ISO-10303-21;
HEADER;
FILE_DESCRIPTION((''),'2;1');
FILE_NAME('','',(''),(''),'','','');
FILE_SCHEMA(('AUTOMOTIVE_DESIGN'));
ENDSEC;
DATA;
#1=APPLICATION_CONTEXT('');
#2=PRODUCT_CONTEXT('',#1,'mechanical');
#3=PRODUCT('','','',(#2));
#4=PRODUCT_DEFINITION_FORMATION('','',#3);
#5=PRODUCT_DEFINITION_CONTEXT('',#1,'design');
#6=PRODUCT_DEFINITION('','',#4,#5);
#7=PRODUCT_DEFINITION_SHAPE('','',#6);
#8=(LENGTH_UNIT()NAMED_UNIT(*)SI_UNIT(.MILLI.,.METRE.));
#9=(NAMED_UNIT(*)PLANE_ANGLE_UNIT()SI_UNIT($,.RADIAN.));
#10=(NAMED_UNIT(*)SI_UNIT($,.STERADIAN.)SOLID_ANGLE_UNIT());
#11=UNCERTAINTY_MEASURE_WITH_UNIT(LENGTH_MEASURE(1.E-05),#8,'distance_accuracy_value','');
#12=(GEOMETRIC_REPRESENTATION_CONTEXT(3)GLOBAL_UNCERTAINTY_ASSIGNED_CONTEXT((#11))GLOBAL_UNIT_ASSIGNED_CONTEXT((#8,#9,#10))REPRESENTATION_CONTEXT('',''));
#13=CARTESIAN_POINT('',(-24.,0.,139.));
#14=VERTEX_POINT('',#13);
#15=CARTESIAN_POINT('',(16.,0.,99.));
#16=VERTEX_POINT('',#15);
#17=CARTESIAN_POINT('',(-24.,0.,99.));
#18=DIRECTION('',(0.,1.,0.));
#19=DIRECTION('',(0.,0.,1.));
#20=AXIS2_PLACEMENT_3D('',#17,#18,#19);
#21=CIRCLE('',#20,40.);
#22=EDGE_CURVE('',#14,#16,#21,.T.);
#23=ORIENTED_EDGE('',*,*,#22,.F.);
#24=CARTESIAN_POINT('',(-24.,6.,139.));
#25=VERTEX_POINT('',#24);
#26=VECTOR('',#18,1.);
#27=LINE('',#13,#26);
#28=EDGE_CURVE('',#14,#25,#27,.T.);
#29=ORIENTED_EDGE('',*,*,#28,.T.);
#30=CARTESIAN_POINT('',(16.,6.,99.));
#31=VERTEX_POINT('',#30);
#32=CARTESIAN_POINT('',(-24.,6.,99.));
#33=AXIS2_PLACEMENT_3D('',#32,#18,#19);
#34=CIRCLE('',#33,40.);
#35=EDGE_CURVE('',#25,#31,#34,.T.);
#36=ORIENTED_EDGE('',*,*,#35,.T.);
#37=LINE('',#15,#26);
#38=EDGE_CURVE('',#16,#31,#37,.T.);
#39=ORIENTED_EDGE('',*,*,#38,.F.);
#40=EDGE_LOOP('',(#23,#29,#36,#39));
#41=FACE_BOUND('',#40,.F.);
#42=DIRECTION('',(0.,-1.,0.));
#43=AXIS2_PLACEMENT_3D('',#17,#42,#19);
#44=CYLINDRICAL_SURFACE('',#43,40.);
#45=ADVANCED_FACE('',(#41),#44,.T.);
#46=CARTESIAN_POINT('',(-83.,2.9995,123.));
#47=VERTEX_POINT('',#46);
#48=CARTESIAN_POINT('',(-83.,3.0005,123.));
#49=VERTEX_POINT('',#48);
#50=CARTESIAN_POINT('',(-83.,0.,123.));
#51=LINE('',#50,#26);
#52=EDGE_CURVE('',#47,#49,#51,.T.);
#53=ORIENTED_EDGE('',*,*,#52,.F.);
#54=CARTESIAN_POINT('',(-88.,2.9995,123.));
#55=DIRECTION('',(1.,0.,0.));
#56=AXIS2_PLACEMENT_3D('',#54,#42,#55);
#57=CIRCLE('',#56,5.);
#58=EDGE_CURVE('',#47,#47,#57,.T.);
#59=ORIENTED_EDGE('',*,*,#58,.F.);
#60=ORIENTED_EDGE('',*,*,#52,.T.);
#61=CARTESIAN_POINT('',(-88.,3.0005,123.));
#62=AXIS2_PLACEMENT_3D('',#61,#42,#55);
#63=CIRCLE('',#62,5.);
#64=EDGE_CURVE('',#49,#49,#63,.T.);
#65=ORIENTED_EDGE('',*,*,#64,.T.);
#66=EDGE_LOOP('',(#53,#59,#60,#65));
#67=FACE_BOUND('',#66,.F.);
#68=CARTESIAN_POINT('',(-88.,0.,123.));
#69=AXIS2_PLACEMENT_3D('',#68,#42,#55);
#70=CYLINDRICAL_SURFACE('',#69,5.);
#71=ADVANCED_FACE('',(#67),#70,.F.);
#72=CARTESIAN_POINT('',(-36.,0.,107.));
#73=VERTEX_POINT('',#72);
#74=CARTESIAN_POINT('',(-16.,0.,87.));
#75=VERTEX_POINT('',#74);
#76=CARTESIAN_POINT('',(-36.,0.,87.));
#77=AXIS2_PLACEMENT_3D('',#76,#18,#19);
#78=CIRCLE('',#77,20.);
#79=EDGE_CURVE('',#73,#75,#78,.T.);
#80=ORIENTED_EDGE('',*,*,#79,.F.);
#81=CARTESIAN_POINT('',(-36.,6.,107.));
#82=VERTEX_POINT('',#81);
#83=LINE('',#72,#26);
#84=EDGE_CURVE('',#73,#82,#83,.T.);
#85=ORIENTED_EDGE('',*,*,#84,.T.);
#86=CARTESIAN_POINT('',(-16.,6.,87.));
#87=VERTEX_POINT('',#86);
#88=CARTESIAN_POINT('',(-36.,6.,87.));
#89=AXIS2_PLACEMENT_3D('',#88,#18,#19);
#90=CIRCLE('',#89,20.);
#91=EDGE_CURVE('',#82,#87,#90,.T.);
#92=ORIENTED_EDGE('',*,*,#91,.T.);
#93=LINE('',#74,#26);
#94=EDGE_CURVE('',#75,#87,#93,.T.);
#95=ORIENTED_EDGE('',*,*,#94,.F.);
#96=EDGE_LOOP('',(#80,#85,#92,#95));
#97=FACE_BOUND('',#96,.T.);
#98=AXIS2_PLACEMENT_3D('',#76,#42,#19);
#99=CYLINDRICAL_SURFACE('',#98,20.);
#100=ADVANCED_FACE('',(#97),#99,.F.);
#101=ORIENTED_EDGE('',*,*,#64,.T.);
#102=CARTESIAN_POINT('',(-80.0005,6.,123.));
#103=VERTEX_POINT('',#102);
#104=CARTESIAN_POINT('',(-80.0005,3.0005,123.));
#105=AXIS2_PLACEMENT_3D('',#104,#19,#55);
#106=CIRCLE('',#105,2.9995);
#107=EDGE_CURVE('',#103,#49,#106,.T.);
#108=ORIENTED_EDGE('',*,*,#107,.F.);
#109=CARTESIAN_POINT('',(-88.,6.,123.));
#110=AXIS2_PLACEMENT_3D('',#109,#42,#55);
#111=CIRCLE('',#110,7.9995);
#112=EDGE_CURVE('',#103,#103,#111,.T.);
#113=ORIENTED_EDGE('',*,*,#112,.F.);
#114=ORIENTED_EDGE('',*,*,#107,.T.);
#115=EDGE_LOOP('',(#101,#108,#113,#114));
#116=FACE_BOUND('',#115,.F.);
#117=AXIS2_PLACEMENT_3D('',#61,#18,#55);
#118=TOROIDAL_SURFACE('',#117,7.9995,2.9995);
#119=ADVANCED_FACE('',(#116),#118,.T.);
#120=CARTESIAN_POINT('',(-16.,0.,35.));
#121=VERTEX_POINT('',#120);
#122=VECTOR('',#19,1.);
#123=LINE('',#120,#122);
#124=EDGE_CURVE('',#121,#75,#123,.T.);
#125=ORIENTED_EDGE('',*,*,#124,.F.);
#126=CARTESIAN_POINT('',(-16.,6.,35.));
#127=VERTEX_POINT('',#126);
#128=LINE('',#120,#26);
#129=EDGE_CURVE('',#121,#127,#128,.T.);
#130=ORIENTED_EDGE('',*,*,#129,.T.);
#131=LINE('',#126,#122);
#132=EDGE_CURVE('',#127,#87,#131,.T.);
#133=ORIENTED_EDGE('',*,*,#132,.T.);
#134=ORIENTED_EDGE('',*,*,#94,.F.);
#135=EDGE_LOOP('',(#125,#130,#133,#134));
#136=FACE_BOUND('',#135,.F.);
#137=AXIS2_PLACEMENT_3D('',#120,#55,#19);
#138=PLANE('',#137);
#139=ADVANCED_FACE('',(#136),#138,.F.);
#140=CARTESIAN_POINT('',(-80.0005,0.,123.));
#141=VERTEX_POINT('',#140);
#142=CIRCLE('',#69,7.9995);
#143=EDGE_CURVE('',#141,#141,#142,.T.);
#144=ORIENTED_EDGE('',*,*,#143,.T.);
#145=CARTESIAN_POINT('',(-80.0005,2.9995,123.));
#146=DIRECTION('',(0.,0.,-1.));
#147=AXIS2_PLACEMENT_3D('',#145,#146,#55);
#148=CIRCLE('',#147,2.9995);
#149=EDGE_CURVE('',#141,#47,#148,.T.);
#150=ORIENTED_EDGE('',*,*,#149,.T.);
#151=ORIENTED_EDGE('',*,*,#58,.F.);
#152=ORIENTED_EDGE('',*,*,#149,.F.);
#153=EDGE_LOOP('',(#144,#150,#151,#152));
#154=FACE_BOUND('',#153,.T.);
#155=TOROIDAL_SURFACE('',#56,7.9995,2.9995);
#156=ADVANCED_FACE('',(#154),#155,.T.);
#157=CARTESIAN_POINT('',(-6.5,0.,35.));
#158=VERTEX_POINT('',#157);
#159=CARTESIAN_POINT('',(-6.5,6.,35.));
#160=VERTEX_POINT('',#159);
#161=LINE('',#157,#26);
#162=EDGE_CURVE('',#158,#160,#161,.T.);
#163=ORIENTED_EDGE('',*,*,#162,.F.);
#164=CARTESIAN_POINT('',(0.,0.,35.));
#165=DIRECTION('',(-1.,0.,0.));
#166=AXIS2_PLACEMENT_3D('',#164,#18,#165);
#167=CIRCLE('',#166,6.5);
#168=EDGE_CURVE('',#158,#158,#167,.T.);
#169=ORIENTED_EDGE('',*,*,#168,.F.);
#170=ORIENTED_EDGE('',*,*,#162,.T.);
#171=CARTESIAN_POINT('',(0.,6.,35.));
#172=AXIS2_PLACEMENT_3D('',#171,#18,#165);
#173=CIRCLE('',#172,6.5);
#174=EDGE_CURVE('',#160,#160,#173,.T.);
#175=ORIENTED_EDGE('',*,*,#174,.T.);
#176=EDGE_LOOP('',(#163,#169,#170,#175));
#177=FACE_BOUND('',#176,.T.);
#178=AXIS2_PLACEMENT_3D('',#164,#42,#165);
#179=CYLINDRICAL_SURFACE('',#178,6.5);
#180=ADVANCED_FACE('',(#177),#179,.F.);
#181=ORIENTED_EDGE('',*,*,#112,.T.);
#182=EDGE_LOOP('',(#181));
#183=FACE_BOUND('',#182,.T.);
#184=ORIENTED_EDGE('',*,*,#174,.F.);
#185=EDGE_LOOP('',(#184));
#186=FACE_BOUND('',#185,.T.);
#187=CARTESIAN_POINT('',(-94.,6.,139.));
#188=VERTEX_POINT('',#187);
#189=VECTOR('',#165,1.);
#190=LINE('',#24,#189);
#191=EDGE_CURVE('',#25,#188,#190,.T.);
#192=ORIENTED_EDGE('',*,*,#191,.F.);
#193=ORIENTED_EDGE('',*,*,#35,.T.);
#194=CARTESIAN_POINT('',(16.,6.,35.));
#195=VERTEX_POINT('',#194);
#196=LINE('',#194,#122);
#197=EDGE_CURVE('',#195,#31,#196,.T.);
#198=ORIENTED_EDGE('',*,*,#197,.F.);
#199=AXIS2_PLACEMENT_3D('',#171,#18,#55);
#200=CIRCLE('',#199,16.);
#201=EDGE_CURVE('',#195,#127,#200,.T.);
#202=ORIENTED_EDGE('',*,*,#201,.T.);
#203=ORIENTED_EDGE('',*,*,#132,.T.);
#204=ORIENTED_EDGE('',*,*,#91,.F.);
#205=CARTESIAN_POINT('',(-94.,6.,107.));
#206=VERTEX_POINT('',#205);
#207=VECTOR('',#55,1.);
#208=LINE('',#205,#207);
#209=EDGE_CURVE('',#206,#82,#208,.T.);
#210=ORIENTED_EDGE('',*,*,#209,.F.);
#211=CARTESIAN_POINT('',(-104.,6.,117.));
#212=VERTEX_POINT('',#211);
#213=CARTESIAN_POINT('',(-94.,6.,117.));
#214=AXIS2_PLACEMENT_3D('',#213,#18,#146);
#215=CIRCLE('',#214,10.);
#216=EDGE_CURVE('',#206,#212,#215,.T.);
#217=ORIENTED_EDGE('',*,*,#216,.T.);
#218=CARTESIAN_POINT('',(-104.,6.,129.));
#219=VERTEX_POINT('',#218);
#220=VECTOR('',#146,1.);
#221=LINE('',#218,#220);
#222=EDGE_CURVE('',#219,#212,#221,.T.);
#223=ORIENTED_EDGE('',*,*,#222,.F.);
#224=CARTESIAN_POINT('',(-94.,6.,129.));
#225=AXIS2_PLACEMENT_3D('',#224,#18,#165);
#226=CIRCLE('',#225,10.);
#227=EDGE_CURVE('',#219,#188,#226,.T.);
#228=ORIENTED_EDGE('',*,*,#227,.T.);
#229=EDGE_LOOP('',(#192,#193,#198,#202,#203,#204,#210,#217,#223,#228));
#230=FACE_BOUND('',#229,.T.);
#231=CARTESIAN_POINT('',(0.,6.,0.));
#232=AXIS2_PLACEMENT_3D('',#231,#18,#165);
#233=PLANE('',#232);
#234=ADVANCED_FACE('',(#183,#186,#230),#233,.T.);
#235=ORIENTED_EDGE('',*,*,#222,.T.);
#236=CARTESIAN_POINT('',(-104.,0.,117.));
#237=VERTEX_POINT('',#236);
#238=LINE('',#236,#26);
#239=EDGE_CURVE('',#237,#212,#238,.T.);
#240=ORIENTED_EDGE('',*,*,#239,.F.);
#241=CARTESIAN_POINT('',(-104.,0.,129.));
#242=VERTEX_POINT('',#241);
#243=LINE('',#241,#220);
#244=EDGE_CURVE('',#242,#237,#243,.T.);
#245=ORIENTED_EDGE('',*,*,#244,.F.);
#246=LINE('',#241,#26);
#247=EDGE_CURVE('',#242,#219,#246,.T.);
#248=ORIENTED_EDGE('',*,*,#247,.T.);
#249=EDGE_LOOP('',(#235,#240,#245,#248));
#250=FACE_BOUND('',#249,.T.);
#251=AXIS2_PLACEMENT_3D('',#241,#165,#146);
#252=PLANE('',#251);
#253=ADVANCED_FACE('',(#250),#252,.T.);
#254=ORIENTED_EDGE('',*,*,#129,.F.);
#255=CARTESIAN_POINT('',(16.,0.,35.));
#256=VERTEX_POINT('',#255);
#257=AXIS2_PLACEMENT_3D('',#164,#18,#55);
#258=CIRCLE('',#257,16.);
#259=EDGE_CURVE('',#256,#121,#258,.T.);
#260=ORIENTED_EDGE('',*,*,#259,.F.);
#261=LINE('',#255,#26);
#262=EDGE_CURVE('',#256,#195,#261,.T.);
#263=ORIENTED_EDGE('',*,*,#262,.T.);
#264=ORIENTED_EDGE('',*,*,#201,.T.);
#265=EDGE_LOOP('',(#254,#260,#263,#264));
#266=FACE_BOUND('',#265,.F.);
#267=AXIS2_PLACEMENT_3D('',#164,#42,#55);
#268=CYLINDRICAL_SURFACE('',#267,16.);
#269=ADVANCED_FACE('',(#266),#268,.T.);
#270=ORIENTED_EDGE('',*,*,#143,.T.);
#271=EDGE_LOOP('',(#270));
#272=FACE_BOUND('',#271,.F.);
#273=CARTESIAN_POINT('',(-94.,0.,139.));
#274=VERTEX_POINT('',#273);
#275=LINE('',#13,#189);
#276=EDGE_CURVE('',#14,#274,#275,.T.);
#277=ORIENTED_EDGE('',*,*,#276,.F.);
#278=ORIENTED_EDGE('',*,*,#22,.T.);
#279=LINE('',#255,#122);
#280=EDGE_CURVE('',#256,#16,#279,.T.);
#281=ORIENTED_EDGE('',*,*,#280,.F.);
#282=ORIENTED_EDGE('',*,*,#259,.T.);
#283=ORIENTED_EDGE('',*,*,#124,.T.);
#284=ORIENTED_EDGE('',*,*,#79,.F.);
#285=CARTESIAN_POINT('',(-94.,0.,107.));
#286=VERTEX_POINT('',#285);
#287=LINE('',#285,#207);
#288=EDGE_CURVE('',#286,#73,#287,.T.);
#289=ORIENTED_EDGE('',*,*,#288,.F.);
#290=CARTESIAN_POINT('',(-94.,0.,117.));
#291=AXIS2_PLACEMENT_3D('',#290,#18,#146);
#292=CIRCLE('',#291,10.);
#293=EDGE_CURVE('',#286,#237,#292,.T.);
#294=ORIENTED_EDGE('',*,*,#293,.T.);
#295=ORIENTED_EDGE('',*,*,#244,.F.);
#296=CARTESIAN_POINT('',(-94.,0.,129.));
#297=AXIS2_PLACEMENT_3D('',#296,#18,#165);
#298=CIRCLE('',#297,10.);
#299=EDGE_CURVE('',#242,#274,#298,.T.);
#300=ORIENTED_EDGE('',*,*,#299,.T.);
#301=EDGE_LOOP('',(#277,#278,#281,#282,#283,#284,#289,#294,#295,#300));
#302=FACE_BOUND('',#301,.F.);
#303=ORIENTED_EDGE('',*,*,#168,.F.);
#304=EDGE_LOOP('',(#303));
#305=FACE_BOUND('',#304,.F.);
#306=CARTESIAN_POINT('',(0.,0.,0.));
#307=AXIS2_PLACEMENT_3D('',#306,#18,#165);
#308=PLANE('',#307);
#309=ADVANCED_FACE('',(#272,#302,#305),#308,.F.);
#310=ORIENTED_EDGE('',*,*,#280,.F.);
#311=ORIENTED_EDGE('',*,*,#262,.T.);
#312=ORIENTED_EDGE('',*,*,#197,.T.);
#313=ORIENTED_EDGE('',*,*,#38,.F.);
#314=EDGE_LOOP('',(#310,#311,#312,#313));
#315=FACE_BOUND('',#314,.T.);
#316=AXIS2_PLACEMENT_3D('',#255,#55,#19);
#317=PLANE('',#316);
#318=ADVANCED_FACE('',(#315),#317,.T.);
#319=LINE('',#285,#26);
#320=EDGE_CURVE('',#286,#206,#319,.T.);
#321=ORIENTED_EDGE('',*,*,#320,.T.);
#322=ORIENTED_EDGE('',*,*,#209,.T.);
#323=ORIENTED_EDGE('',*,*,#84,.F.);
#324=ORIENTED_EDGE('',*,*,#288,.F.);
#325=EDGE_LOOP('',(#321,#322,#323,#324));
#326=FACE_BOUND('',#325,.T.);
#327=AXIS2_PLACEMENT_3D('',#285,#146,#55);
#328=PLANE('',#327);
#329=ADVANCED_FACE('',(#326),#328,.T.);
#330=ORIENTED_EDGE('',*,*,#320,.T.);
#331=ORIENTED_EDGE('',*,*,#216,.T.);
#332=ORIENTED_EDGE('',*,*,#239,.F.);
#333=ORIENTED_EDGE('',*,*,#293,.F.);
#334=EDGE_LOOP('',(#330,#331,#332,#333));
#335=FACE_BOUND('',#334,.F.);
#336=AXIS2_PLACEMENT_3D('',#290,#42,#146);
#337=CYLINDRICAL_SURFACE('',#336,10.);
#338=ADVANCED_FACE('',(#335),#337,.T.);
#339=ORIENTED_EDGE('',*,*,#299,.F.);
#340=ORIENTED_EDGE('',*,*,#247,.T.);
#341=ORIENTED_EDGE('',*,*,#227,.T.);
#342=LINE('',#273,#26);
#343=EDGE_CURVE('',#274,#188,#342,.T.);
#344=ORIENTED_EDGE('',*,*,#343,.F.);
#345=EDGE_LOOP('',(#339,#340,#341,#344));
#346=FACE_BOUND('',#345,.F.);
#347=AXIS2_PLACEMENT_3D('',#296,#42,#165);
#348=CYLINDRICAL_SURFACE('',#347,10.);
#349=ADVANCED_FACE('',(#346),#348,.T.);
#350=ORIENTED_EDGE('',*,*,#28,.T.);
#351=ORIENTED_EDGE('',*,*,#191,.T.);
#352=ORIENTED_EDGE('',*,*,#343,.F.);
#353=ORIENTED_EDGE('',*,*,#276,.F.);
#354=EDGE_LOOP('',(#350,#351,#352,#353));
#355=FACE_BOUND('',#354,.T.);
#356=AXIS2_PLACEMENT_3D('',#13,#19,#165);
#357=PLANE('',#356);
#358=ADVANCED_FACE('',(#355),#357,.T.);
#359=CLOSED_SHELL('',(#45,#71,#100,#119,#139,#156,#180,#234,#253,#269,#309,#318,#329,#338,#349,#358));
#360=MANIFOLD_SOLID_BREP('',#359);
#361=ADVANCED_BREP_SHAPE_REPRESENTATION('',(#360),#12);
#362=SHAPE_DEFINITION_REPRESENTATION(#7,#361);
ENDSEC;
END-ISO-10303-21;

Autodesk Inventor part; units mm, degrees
ref_plane "YZ Plane" through (0, 0, 0) normal (1, 0, 0) x (0, 1, 0)
ref_plane "XZ Plane" through (0, 0, 0) normal (0, 1, 0) x (-1, 0, 0)
ref_plane "XY Plane" through (0, 0, 0) normal (0, 0, 1) x (1, 0, 0)
sketch "Náčrt2" plane through (0, 0, 0) normal (0, 1, 0) x (-1, 0, 0)
  line L0 (11.5, 17.5) -> (-11.5, 17.5) construction
  line L1 (-17.5, 11.5) -> (-17.5, -11.5) construction
  line L2 (-11.5, -17.5) -> (11.5, -17.5) construction
  line L3 (17.5, -11.5) -> (17.5, 11.5) construction
  line L4 (42.5, 36) -> (42.5, -77.5) construction
  line L5 (9, -22.5) -> (-14, -22.5) construction
  line L6 (-20, -28.5) -> (-20, -51.5) construction
  line L7 (-14, -57.5) -> (9, -57.5) construction
  line L8 (15, -51.5) -> (15, -28.5) construction
  arc A0 (15, -28.5) -> (9, -22.5) centre (9, -28.5) ccw construction
  arc A1 (9, -57.5) -> (15, -51.5) centre (9, -51.5) ccw construction
  arc A2 (-20, -51.5) -> (-14, -57.5) centre (-14, -51.5) ccw construction
  arc A3 (-14, -22.5) -> (-20, -28.5) centre (-14, -28.5) ccw construction
  line L9 (-45.6938, -20) -> (9, -20) construction
  arc A4 (17.5, -28.5) -> (9, -20) centre (9, -28.5) ccw construction
  line L10 (17.5, -28.5) -> (17.5, -51.5) construction
  line L11 (17.5, -51.5) -> (15, -51.5) construction
  line L12 (-14, -22.5) -> (-45.6938, -22.5) construction
  line L13 (-45.6938, -22.5) -> (-45.6938, -20) construction
  arc A5 (17.5, 11.5) -> (11.5, 17.5) centre (11.5, 11.5) ccw construction
  arc A6 (11.5, -17.5) -> (17.5, -11.5) centre (11.5, -11.5) ccw construction
  arc A7 (-17.5, -11.5) -> (-11.5, -17.5) centre (-11.5, -11.5) ccw construction
  arc A8 (-11.5, 17.5) -> (-17.5, 11.5) centre (-11.5, 11.5) ccw construction
  line L14 (-11.5, -20) -> (11.5, -20) construction
  line L15 (-20, 73.4113) -> (-20, -11.5) construction
  arc A9 (-20, -11.5) -> (-11.5, -20) centre (-11.5, -11.5) ccw construction
  line L16 (-17.5, 11.5) -> (-17.5, 73.4113) construction
  line L17 (-17.5, 73.4113) -> (-20, 73.4113) construction
  line L18 (11.5, -20) -> (11.5, -17.5) construction
  line L19 (17.5, 17.5) -> (-17.5, 17.5) construction
  line L20 (-17.5, 17.5) -> (-17.5, 52.5) construction
  line L21 (-17.5, 52.5) -> (17.5, 52.5) construction
  line L22 (17.5, 52.5) -> (17.5, 17.5) construction
  circle A10 centre (0, 35) radius 6.5
  arc A11 (0, 51) -> (0, 19) centre (0, 35) ccw construction
  line L23 (0, 51) -> (27.5, 51) construction
  line L24 (0, 19) -> (11.5, 19) construction
  line L25 (27.5, 51) -> (42.5, 36) construction
  arc A12 (17.5, 13) -> (11.5, 19) centre (11.5, 13) ccw construction
  line L26 (17.5, 13) -> (17.5, -51.5) construction
  line L27 (-13.5, -57.5) -> (-13.5, -59.2574) construction
  line L28 (-12.6213, -61.3787) -> (14.1066, -88.1066) construction
  line L29 (24.7132, -92.5) -> (27.5, -92.5) construction
  arc A13 (27.5, -92.5) -> (42.5, -77.5) centre (27.5, -77.5) ccw construction
  arc A14 (14.1066, -88.1066) -> (24.7132, -92.5) centre (24.7132, -77.5) ccw construction
  arc A15 (-13.5, -59.2574) -> (-12.6213, -61.3787) centre (-10.5, -59.2574) ccw construction
  line L30 (17.5, -51.5) -> (17.5, -51.5) construction
  line L31 (6.4677, -58.2408) -> (-10.5, -57.5) construction
  line L32 (-13.5, -57.5) -> (-10.5, -57.5) construction
  line L33 (6.4677, -58.2408) -> (6.5, -57.5) construction
  line L34 (6.5, -57.5) -> (11.5, -57.5) construction
  arc A16 (11.5, -57.5) -> (17.5, -51.5) centre (11.5, -51.5) ccw construction
  arc A17 (-16, 35) -> (16, 35) centre (0, 35) ccw
  line L35 (16, 35) -> (16, 87)
  line L36 (-16, 35) -> (-16, 99)
  line L37 (24, 139) -> (94, 139)
  line L38 (104, 129) -> (104, 117)
  line L39 (94, 107) -> (36, 107)
  arc A18 (36, 107) -> (16, 87) centre (36, 87) ccw
  arc A19 (24, 139) -> (-16, 99) centre (24, 99) ccw
  arc A20 (104, 129) -> (94, 139) centre (94, 129) ccw
  arc A21 (94, 107) -> (104, 117) centre (94, 117) ccw
  point P0 (0, 0)
  point P1 (17.5, 0)
  point P2 (0, 17.5)
  point P3 (42.5, 51)
  point P4 (17.5, 35)
  point P5 (0, 52.5)
  point P6 (-13.5, -60.5)
  point P7 (16, 107)
  point P8 (-16, 139)
  point P9 (104, 139)
  point P10 (104, 107)
  dimension "d34" = 35
  dimension "d35" = 6
  dimension "d36" = 5
  dimension "d37" = 2.5
  dimension "d38" = 2.5
  dimension "d39" = 6
  dimension "d40" = 2.5
  dimension "d43" = 25
  dimension "d46" = 13
  dimension "d47" = 32
  dimension "d48" = 15
  dimension "d49" = 15
  dimension "d50" = 6
  dimension "d51" = 35
  dimension "d55" = 3
  dimension "d56" = 15
  dimension "d57" = 15
  dimension "d58" = 3
  dimension "d60" = 35
  dimension "d61" = 3
  dimension "d62" = 2.5
  dimension "d63" = 35
  dimension "d64" = 45
  dimension "d66" = 31
  dimension "d69" = 6
  dimension "d72" = 2.5
  dimension "d79" = 32
  dimension "d80" = 120
  dimension "d81" = 120
  dimension "d82" = 20
  dimension "d83" = 40
  dimension "d85" = 10
extrude "Vysunutí1" add sketch "Náčrt2" along normal blind 6
sketch "Náčrt5" plane through (0, 0, 0) normal (0, -1, 0) x (1, 0, 0)
  circle A0 centre (0, 35) radius 6.5 projected
  arc A1 (-16, 35) -> (16, 35) centre (0, 35) ccw projected
  line L0 (16, 99) -> (16, 35) projected
  line L1 (-16, 35) -> (-16, 87) projected
  circle A2 centre (-88, 123) radius 5
  arc A3 (16, 99) -> (-24, 139) centre (-24, 99) ccw projected
  line L2 (-94, 139) -> (-24, 139) projected
  line L3 (-104, 117) -> (-104, 129) projected
  line L4 (-36, 107) -> (-94, 107) projected
  arc A4 (-16, 87) -> (-36, 107) centre (-36, 87) ccw projected
  arc A5 (-94, 139) -> (-104, 129) centre (-94, 129) ccw projected
  arc A6 (-104, 117) -> (-94, 107) centre (-94, 117) ccw projected
  point P0 (0, 0)
  point P1 (-104, 123)
  dimension "d75" = 10
  dimension "d84" = 16
extrude "Vysunutí3" cut sketch "Náčrt5" against normal blind 10 contours A2
fillet "Zaoblení6" radius 3 2 edges at (-93, 0, 123) (-93, 6, 123)
equation "\"d49\" = d48"
equation "\"d79\" = d47"
equation "\"d81\" = d80"
equation "\"PoloměrOhybu\" = Tloušťka"
equation "\"ŠířkaVýštipu\" = Tloušťka"
equation "\"HloubkaVýštipu\" = 0.5 * Tloušťka"
equation "\"VelikostRohovéhoVýštipu\" = 4 * Tloušťka"
equation "\"MinimálníZbytek\" = 2 * Tloušťka"
equation "\"PřechodovýPoloměr\" = PoloměrOhybu"
equation "\"VelikostJacobihoPoloměru\" = PoloměrOhybu"
equation "\"VelikostMezery\" = Tloušťka"
equation "\"Tloušťka\" = 6"
properties part number "DD_KVD_002_10" material "Nerezová ocel"
